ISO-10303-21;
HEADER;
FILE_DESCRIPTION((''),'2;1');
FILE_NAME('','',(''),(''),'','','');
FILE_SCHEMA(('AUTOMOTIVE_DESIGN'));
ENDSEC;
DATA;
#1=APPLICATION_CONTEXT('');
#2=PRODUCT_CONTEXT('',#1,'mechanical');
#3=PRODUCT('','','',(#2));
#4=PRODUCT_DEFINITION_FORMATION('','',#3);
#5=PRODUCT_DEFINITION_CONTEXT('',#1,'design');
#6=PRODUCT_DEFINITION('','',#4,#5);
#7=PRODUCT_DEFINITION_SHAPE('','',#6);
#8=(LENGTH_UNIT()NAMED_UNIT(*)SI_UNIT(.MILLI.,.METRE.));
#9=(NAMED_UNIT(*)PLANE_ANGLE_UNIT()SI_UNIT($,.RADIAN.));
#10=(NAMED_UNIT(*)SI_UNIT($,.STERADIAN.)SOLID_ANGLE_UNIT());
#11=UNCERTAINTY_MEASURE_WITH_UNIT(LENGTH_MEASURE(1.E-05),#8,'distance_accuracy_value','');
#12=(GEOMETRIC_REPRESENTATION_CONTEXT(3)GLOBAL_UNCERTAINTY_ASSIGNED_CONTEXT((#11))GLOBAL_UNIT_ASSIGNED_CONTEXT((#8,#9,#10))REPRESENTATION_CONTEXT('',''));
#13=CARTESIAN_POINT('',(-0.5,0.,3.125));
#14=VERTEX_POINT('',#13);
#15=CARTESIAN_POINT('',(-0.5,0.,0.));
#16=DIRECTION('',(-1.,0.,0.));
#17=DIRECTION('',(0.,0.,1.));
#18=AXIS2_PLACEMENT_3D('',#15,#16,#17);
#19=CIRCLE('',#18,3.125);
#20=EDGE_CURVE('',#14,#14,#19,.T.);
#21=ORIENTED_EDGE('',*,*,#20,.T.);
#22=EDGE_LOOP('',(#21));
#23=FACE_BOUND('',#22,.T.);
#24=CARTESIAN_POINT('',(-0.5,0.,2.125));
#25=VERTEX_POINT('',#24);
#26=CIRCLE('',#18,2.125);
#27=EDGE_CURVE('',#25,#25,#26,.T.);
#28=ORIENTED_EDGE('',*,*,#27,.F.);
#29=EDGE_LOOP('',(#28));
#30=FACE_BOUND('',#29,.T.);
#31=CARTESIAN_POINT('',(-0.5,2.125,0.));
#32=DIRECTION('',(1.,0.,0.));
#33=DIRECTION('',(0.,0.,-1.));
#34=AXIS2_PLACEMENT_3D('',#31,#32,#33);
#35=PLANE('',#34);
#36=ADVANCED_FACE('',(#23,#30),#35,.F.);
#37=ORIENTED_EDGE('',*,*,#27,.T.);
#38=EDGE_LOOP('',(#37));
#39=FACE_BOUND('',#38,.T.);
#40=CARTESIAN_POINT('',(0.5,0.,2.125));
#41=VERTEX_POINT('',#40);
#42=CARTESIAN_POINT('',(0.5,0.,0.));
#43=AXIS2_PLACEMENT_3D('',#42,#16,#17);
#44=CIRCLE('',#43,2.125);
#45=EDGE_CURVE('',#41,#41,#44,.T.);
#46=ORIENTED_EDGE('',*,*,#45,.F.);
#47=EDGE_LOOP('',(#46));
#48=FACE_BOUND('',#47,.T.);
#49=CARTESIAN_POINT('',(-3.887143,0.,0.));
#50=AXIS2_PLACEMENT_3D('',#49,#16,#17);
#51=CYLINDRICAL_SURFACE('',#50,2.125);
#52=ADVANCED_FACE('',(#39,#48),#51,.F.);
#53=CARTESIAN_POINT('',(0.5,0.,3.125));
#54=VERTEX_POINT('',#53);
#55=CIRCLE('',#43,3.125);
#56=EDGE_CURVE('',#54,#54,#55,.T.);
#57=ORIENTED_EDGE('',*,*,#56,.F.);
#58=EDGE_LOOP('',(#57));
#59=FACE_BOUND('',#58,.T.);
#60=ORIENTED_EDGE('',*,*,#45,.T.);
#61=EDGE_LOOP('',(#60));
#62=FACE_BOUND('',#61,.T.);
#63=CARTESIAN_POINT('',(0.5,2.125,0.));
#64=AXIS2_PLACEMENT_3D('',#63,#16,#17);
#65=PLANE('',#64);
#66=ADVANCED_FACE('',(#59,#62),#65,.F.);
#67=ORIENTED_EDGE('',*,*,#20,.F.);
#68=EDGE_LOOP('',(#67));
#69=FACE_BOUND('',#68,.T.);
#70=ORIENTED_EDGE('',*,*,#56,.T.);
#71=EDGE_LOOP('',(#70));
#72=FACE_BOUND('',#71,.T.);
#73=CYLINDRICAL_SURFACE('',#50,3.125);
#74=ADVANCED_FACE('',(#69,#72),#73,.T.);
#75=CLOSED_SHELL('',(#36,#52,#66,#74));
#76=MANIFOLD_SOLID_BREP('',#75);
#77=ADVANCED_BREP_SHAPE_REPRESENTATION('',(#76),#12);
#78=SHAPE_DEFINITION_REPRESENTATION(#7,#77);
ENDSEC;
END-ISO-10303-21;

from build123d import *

# Parameters (mm, degrees)
SKETCH1_W = 1
SKETCH1_H = 1


with BuildPart() as part:
    # Sketch1 → Revolve1 (revolve)
    with BuildSketch(Plane.XY, mode=Mode.PRIVATE) as revolve1_sk:
        with Locations((0, 2.625)):
            Rectangle(SKETCH1_W, SKETCH1_H)
    revolve(revolve1_sk.sketch.rotate(Axis((-3.887142857, 0, 0), (1, 0, 0)), 90), axis=Axis((-3.887142857, 0, 0), (1, 0, 0)))


solid = part.part
